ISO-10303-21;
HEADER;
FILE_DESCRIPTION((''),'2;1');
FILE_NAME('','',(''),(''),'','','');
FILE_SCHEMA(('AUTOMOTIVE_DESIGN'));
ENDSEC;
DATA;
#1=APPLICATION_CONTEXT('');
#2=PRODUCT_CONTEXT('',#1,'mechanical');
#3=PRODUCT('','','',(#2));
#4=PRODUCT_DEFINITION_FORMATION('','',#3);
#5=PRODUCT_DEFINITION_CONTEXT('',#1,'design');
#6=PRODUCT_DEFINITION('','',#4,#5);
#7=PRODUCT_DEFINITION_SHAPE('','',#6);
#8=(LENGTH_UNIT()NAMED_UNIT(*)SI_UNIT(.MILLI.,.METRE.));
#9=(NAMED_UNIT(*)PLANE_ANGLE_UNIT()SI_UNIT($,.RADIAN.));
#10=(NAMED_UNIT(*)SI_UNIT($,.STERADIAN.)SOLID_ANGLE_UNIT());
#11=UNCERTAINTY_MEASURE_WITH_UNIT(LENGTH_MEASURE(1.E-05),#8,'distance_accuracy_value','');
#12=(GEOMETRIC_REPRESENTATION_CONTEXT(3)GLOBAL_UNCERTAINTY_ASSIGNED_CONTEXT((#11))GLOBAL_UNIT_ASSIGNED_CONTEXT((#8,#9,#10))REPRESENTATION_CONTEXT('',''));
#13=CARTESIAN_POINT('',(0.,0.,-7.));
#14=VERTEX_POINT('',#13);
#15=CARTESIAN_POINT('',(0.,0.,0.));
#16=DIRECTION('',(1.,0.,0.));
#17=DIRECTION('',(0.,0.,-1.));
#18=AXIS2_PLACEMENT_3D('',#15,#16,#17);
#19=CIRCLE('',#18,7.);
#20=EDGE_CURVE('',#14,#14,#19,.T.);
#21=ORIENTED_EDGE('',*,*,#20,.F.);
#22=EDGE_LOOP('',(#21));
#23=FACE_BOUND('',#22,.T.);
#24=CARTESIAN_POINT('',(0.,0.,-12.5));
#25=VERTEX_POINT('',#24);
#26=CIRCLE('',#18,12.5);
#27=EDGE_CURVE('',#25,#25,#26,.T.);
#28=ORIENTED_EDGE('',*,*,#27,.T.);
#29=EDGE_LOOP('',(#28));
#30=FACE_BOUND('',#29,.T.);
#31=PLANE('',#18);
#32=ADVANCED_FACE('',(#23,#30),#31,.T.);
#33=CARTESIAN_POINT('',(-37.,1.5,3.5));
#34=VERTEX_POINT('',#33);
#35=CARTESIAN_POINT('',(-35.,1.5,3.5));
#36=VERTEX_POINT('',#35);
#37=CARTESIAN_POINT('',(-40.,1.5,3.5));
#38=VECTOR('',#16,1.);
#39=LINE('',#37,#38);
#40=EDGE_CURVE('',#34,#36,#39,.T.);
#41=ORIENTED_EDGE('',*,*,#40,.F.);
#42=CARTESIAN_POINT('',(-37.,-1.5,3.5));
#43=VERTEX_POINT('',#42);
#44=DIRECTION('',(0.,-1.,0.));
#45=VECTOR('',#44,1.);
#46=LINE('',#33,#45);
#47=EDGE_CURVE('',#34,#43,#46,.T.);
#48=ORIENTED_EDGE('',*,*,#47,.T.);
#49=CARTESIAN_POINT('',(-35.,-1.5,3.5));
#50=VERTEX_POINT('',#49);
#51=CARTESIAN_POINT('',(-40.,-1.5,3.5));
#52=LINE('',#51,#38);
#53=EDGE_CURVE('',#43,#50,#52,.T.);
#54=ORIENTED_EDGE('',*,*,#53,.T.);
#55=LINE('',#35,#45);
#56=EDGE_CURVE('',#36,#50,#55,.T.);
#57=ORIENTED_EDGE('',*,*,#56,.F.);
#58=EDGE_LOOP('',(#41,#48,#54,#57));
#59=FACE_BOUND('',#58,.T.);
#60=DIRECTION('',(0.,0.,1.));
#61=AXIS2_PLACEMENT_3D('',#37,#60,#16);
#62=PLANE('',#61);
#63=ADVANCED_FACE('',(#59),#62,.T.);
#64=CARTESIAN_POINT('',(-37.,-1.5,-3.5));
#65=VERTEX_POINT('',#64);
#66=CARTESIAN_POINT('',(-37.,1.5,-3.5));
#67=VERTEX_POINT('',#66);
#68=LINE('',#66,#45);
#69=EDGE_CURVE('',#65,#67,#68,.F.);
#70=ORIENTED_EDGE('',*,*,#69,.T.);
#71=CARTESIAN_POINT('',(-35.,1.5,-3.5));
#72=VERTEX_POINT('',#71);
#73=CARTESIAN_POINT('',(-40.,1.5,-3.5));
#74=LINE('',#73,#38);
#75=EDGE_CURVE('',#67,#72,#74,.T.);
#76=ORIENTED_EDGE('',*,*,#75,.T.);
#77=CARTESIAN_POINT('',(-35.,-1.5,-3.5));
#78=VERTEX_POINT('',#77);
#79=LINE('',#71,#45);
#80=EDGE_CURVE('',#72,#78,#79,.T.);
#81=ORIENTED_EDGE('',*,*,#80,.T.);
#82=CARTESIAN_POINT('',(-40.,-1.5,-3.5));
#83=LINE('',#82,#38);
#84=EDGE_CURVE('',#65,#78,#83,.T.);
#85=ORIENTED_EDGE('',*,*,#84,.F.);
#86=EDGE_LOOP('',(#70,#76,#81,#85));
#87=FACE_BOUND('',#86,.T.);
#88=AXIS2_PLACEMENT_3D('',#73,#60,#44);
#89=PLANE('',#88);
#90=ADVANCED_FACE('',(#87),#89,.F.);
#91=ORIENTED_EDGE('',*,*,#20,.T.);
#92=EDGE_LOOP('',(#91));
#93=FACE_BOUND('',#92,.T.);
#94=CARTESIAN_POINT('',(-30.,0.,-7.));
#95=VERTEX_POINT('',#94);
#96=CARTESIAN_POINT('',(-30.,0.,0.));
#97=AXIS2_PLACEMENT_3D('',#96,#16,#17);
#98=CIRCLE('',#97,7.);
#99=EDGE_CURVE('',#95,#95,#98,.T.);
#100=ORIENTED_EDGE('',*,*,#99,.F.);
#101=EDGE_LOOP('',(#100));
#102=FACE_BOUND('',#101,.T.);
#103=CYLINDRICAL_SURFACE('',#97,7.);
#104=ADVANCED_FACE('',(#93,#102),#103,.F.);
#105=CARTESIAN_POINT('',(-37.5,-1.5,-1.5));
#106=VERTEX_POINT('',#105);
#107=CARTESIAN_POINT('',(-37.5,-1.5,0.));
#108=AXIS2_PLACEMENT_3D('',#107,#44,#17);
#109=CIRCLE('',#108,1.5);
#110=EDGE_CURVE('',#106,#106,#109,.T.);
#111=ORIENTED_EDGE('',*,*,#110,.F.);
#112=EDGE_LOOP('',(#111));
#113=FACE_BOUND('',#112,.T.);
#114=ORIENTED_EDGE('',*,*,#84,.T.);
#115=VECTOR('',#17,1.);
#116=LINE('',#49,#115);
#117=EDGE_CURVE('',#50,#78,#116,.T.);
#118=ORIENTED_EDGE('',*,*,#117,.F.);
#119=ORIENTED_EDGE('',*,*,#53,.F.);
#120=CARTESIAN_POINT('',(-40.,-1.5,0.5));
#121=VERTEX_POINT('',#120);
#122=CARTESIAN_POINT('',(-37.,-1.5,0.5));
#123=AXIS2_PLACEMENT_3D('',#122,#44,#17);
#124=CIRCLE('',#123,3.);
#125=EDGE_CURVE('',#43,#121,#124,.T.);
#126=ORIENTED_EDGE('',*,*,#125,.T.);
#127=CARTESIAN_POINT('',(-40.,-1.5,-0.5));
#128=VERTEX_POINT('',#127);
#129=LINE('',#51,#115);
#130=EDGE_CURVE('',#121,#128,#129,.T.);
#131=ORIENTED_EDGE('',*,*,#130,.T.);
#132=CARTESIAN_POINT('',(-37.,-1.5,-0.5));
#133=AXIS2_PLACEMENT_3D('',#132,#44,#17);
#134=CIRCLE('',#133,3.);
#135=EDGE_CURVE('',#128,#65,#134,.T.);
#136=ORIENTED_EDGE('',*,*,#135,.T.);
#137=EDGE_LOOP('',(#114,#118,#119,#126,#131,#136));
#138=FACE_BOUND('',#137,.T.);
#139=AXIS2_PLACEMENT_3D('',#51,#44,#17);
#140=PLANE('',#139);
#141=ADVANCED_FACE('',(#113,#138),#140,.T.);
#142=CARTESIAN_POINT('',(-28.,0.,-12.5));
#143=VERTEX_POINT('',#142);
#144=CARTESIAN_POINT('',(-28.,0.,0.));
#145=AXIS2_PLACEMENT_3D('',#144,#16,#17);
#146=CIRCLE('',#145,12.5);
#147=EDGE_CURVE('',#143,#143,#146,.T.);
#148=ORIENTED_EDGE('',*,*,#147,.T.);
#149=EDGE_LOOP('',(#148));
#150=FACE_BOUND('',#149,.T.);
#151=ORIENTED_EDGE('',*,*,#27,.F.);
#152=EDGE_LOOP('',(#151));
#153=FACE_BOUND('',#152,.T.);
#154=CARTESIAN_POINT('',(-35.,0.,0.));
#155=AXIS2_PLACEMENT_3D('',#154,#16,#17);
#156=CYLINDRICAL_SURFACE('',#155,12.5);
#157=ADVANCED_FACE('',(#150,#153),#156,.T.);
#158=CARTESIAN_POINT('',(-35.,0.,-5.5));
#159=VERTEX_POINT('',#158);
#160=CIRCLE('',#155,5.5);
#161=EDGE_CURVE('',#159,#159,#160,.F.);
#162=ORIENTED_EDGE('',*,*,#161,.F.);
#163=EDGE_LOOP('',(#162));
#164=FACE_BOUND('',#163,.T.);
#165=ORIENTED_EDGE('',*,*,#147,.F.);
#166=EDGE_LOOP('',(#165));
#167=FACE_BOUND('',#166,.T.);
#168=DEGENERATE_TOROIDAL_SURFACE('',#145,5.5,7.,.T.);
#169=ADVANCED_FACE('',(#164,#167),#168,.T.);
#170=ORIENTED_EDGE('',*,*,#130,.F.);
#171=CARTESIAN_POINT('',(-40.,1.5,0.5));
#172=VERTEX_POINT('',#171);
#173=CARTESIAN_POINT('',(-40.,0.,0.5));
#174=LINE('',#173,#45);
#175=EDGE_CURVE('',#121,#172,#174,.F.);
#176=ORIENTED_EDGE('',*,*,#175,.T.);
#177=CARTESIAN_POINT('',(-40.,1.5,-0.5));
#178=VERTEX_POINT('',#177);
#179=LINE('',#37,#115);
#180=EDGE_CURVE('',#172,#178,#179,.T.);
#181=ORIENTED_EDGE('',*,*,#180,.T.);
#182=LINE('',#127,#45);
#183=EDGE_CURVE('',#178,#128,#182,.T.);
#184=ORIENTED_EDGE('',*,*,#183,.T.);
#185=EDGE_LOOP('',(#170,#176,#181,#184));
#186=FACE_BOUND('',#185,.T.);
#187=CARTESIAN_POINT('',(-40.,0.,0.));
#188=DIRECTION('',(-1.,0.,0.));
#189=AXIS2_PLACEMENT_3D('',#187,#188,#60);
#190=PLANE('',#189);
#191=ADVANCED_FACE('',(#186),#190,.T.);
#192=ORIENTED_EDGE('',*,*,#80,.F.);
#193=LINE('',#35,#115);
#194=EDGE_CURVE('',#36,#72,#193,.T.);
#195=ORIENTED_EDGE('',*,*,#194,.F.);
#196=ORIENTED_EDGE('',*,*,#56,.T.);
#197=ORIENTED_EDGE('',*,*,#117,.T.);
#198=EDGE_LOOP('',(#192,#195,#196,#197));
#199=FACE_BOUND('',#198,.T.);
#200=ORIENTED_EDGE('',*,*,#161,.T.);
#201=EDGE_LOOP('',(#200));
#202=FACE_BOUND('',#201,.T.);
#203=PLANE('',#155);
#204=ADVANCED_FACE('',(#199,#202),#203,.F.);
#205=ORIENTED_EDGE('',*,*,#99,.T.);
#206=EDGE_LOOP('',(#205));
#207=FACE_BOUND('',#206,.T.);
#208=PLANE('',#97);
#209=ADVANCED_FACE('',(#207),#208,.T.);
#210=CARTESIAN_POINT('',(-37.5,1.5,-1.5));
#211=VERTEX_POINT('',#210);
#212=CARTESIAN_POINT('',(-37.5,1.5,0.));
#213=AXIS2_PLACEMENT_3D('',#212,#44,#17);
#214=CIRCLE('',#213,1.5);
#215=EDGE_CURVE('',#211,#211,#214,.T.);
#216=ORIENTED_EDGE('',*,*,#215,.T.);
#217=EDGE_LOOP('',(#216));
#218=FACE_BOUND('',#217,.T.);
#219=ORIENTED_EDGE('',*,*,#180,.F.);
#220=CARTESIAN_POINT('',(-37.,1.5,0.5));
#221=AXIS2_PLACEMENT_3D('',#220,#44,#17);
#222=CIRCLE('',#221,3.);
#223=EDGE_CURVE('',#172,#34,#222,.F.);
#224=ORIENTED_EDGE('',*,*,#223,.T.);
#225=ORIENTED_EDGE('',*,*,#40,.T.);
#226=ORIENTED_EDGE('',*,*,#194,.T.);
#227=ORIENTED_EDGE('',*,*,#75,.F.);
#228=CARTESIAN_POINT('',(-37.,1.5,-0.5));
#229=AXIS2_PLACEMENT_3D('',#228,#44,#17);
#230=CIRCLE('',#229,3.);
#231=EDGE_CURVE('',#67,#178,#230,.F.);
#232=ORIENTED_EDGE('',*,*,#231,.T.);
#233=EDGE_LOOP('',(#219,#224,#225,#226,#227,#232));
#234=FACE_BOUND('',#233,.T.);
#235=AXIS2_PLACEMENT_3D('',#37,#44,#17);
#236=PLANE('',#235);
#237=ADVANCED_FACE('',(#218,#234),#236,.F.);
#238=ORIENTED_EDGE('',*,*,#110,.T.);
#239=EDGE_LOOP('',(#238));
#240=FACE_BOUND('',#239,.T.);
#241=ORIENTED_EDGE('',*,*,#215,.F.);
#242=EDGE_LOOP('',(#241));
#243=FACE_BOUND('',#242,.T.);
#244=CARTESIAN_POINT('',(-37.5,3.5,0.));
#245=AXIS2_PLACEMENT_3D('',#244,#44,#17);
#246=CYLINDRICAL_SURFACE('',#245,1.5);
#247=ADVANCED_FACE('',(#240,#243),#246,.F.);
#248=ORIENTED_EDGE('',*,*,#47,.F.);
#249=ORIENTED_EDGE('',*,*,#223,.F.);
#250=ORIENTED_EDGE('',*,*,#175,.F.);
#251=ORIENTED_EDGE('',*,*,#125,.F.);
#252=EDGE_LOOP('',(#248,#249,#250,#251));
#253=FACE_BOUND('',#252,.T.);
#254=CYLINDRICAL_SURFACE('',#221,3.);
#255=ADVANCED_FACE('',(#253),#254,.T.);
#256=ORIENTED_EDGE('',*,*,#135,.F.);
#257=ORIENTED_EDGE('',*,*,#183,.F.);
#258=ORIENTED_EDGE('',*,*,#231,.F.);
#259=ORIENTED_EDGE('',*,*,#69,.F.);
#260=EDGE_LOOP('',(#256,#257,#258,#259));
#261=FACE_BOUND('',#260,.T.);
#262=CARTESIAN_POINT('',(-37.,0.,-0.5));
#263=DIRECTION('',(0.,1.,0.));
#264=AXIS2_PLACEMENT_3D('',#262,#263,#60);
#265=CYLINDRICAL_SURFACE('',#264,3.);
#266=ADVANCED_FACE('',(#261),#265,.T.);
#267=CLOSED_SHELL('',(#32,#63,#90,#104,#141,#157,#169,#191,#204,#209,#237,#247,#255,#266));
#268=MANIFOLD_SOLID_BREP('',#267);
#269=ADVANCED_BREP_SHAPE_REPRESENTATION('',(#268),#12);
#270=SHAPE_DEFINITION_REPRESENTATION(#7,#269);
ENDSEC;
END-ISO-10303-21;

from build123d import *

# Parameters (mm, degrees)
SKETCH_1_R          = 12.5
EXTRUDE_1_DEPTH     = 35
SKETCH_3_W          = 7
SKETCH_3_H          = 3
EXTRUDE_2_DEPTH     = 5
SKETCH_4_R          = 1.5
CUT_EXTRUDE_1_DEPTH = 5
FILLET_1_R          = 3
FILLET_2_R          = 3
FILLET_3_R          = 7
SKETCH_5_R          = 7
CUT_EXTRUDE_2_DEPTH = 30


with BuildPart() as part:
    # 草图1 → 凸台-拉伸1 (new body)
    with BuildSketch(Plane(origin=(0, 0, 0), x_dir=(0, 0, -1), z_dir=(1, 0, 0))):
        Circle(SKETCH_1_R)
    extrude(amount=-EXTRUDE_1_DEPTH)

    # 草图3 → 凸台-拉伸2 (add)
    with BuildSketch(Plane.ZY.offset(35)):
        Rectangle(SKETCH_3_W, SKETCH_3_H)
    extrude(amount=EXTRUDE_2_DEPTH)

    # 草图4 → 切除-拉伸1 (cut)
    with BuildSketch(Plane.XZ.offset(1.5)):
        with Locations(Location((-37.5, 0, 0), (0, 0, 270))):
            Circle(SKETCH_4_R)
    extrude(amount=-CUT_EXTRUDE_1_DEPTH, mode=Mode.SUBTRACT)

    # 圆角1
    fillet_1_edges = [part.edges().sort_by_distance(p)[0] for p in [
        (-40, 0, 3.5),
    ]]
    fillet(fillet_1_edges, radius=FILLET_1_R)

    # 圆角2
    fillet_2_edges = [part.edges().sort_by_distance(p)[0] for p in [
        (-40, 0, -3.5),
    ]]
    fillet(fillet_2_edges, radius=FILLET_2_R)

    # 圆角3
    fillet_3_edges = [part.edges().sort_by_distance(p)[0] for p in [
        (-35, 0, 12.5),
    ]]
    fillet(fillet_3_edges, radius=FILLET_3_R)

    # 草图5 → 切除-拉伸2 (cut)
    with BuildSketch(Plane(origin=(0, 0, 0), x_dir=(0, 0, -1), z_dir=(1, 0, 0))):
        Circle(SKETCH_5_R)
    extrude(amount=-CUT_EXTRUDE_2_DEPTH, mode=Mode.SUBTRACT)


solid = part.part
